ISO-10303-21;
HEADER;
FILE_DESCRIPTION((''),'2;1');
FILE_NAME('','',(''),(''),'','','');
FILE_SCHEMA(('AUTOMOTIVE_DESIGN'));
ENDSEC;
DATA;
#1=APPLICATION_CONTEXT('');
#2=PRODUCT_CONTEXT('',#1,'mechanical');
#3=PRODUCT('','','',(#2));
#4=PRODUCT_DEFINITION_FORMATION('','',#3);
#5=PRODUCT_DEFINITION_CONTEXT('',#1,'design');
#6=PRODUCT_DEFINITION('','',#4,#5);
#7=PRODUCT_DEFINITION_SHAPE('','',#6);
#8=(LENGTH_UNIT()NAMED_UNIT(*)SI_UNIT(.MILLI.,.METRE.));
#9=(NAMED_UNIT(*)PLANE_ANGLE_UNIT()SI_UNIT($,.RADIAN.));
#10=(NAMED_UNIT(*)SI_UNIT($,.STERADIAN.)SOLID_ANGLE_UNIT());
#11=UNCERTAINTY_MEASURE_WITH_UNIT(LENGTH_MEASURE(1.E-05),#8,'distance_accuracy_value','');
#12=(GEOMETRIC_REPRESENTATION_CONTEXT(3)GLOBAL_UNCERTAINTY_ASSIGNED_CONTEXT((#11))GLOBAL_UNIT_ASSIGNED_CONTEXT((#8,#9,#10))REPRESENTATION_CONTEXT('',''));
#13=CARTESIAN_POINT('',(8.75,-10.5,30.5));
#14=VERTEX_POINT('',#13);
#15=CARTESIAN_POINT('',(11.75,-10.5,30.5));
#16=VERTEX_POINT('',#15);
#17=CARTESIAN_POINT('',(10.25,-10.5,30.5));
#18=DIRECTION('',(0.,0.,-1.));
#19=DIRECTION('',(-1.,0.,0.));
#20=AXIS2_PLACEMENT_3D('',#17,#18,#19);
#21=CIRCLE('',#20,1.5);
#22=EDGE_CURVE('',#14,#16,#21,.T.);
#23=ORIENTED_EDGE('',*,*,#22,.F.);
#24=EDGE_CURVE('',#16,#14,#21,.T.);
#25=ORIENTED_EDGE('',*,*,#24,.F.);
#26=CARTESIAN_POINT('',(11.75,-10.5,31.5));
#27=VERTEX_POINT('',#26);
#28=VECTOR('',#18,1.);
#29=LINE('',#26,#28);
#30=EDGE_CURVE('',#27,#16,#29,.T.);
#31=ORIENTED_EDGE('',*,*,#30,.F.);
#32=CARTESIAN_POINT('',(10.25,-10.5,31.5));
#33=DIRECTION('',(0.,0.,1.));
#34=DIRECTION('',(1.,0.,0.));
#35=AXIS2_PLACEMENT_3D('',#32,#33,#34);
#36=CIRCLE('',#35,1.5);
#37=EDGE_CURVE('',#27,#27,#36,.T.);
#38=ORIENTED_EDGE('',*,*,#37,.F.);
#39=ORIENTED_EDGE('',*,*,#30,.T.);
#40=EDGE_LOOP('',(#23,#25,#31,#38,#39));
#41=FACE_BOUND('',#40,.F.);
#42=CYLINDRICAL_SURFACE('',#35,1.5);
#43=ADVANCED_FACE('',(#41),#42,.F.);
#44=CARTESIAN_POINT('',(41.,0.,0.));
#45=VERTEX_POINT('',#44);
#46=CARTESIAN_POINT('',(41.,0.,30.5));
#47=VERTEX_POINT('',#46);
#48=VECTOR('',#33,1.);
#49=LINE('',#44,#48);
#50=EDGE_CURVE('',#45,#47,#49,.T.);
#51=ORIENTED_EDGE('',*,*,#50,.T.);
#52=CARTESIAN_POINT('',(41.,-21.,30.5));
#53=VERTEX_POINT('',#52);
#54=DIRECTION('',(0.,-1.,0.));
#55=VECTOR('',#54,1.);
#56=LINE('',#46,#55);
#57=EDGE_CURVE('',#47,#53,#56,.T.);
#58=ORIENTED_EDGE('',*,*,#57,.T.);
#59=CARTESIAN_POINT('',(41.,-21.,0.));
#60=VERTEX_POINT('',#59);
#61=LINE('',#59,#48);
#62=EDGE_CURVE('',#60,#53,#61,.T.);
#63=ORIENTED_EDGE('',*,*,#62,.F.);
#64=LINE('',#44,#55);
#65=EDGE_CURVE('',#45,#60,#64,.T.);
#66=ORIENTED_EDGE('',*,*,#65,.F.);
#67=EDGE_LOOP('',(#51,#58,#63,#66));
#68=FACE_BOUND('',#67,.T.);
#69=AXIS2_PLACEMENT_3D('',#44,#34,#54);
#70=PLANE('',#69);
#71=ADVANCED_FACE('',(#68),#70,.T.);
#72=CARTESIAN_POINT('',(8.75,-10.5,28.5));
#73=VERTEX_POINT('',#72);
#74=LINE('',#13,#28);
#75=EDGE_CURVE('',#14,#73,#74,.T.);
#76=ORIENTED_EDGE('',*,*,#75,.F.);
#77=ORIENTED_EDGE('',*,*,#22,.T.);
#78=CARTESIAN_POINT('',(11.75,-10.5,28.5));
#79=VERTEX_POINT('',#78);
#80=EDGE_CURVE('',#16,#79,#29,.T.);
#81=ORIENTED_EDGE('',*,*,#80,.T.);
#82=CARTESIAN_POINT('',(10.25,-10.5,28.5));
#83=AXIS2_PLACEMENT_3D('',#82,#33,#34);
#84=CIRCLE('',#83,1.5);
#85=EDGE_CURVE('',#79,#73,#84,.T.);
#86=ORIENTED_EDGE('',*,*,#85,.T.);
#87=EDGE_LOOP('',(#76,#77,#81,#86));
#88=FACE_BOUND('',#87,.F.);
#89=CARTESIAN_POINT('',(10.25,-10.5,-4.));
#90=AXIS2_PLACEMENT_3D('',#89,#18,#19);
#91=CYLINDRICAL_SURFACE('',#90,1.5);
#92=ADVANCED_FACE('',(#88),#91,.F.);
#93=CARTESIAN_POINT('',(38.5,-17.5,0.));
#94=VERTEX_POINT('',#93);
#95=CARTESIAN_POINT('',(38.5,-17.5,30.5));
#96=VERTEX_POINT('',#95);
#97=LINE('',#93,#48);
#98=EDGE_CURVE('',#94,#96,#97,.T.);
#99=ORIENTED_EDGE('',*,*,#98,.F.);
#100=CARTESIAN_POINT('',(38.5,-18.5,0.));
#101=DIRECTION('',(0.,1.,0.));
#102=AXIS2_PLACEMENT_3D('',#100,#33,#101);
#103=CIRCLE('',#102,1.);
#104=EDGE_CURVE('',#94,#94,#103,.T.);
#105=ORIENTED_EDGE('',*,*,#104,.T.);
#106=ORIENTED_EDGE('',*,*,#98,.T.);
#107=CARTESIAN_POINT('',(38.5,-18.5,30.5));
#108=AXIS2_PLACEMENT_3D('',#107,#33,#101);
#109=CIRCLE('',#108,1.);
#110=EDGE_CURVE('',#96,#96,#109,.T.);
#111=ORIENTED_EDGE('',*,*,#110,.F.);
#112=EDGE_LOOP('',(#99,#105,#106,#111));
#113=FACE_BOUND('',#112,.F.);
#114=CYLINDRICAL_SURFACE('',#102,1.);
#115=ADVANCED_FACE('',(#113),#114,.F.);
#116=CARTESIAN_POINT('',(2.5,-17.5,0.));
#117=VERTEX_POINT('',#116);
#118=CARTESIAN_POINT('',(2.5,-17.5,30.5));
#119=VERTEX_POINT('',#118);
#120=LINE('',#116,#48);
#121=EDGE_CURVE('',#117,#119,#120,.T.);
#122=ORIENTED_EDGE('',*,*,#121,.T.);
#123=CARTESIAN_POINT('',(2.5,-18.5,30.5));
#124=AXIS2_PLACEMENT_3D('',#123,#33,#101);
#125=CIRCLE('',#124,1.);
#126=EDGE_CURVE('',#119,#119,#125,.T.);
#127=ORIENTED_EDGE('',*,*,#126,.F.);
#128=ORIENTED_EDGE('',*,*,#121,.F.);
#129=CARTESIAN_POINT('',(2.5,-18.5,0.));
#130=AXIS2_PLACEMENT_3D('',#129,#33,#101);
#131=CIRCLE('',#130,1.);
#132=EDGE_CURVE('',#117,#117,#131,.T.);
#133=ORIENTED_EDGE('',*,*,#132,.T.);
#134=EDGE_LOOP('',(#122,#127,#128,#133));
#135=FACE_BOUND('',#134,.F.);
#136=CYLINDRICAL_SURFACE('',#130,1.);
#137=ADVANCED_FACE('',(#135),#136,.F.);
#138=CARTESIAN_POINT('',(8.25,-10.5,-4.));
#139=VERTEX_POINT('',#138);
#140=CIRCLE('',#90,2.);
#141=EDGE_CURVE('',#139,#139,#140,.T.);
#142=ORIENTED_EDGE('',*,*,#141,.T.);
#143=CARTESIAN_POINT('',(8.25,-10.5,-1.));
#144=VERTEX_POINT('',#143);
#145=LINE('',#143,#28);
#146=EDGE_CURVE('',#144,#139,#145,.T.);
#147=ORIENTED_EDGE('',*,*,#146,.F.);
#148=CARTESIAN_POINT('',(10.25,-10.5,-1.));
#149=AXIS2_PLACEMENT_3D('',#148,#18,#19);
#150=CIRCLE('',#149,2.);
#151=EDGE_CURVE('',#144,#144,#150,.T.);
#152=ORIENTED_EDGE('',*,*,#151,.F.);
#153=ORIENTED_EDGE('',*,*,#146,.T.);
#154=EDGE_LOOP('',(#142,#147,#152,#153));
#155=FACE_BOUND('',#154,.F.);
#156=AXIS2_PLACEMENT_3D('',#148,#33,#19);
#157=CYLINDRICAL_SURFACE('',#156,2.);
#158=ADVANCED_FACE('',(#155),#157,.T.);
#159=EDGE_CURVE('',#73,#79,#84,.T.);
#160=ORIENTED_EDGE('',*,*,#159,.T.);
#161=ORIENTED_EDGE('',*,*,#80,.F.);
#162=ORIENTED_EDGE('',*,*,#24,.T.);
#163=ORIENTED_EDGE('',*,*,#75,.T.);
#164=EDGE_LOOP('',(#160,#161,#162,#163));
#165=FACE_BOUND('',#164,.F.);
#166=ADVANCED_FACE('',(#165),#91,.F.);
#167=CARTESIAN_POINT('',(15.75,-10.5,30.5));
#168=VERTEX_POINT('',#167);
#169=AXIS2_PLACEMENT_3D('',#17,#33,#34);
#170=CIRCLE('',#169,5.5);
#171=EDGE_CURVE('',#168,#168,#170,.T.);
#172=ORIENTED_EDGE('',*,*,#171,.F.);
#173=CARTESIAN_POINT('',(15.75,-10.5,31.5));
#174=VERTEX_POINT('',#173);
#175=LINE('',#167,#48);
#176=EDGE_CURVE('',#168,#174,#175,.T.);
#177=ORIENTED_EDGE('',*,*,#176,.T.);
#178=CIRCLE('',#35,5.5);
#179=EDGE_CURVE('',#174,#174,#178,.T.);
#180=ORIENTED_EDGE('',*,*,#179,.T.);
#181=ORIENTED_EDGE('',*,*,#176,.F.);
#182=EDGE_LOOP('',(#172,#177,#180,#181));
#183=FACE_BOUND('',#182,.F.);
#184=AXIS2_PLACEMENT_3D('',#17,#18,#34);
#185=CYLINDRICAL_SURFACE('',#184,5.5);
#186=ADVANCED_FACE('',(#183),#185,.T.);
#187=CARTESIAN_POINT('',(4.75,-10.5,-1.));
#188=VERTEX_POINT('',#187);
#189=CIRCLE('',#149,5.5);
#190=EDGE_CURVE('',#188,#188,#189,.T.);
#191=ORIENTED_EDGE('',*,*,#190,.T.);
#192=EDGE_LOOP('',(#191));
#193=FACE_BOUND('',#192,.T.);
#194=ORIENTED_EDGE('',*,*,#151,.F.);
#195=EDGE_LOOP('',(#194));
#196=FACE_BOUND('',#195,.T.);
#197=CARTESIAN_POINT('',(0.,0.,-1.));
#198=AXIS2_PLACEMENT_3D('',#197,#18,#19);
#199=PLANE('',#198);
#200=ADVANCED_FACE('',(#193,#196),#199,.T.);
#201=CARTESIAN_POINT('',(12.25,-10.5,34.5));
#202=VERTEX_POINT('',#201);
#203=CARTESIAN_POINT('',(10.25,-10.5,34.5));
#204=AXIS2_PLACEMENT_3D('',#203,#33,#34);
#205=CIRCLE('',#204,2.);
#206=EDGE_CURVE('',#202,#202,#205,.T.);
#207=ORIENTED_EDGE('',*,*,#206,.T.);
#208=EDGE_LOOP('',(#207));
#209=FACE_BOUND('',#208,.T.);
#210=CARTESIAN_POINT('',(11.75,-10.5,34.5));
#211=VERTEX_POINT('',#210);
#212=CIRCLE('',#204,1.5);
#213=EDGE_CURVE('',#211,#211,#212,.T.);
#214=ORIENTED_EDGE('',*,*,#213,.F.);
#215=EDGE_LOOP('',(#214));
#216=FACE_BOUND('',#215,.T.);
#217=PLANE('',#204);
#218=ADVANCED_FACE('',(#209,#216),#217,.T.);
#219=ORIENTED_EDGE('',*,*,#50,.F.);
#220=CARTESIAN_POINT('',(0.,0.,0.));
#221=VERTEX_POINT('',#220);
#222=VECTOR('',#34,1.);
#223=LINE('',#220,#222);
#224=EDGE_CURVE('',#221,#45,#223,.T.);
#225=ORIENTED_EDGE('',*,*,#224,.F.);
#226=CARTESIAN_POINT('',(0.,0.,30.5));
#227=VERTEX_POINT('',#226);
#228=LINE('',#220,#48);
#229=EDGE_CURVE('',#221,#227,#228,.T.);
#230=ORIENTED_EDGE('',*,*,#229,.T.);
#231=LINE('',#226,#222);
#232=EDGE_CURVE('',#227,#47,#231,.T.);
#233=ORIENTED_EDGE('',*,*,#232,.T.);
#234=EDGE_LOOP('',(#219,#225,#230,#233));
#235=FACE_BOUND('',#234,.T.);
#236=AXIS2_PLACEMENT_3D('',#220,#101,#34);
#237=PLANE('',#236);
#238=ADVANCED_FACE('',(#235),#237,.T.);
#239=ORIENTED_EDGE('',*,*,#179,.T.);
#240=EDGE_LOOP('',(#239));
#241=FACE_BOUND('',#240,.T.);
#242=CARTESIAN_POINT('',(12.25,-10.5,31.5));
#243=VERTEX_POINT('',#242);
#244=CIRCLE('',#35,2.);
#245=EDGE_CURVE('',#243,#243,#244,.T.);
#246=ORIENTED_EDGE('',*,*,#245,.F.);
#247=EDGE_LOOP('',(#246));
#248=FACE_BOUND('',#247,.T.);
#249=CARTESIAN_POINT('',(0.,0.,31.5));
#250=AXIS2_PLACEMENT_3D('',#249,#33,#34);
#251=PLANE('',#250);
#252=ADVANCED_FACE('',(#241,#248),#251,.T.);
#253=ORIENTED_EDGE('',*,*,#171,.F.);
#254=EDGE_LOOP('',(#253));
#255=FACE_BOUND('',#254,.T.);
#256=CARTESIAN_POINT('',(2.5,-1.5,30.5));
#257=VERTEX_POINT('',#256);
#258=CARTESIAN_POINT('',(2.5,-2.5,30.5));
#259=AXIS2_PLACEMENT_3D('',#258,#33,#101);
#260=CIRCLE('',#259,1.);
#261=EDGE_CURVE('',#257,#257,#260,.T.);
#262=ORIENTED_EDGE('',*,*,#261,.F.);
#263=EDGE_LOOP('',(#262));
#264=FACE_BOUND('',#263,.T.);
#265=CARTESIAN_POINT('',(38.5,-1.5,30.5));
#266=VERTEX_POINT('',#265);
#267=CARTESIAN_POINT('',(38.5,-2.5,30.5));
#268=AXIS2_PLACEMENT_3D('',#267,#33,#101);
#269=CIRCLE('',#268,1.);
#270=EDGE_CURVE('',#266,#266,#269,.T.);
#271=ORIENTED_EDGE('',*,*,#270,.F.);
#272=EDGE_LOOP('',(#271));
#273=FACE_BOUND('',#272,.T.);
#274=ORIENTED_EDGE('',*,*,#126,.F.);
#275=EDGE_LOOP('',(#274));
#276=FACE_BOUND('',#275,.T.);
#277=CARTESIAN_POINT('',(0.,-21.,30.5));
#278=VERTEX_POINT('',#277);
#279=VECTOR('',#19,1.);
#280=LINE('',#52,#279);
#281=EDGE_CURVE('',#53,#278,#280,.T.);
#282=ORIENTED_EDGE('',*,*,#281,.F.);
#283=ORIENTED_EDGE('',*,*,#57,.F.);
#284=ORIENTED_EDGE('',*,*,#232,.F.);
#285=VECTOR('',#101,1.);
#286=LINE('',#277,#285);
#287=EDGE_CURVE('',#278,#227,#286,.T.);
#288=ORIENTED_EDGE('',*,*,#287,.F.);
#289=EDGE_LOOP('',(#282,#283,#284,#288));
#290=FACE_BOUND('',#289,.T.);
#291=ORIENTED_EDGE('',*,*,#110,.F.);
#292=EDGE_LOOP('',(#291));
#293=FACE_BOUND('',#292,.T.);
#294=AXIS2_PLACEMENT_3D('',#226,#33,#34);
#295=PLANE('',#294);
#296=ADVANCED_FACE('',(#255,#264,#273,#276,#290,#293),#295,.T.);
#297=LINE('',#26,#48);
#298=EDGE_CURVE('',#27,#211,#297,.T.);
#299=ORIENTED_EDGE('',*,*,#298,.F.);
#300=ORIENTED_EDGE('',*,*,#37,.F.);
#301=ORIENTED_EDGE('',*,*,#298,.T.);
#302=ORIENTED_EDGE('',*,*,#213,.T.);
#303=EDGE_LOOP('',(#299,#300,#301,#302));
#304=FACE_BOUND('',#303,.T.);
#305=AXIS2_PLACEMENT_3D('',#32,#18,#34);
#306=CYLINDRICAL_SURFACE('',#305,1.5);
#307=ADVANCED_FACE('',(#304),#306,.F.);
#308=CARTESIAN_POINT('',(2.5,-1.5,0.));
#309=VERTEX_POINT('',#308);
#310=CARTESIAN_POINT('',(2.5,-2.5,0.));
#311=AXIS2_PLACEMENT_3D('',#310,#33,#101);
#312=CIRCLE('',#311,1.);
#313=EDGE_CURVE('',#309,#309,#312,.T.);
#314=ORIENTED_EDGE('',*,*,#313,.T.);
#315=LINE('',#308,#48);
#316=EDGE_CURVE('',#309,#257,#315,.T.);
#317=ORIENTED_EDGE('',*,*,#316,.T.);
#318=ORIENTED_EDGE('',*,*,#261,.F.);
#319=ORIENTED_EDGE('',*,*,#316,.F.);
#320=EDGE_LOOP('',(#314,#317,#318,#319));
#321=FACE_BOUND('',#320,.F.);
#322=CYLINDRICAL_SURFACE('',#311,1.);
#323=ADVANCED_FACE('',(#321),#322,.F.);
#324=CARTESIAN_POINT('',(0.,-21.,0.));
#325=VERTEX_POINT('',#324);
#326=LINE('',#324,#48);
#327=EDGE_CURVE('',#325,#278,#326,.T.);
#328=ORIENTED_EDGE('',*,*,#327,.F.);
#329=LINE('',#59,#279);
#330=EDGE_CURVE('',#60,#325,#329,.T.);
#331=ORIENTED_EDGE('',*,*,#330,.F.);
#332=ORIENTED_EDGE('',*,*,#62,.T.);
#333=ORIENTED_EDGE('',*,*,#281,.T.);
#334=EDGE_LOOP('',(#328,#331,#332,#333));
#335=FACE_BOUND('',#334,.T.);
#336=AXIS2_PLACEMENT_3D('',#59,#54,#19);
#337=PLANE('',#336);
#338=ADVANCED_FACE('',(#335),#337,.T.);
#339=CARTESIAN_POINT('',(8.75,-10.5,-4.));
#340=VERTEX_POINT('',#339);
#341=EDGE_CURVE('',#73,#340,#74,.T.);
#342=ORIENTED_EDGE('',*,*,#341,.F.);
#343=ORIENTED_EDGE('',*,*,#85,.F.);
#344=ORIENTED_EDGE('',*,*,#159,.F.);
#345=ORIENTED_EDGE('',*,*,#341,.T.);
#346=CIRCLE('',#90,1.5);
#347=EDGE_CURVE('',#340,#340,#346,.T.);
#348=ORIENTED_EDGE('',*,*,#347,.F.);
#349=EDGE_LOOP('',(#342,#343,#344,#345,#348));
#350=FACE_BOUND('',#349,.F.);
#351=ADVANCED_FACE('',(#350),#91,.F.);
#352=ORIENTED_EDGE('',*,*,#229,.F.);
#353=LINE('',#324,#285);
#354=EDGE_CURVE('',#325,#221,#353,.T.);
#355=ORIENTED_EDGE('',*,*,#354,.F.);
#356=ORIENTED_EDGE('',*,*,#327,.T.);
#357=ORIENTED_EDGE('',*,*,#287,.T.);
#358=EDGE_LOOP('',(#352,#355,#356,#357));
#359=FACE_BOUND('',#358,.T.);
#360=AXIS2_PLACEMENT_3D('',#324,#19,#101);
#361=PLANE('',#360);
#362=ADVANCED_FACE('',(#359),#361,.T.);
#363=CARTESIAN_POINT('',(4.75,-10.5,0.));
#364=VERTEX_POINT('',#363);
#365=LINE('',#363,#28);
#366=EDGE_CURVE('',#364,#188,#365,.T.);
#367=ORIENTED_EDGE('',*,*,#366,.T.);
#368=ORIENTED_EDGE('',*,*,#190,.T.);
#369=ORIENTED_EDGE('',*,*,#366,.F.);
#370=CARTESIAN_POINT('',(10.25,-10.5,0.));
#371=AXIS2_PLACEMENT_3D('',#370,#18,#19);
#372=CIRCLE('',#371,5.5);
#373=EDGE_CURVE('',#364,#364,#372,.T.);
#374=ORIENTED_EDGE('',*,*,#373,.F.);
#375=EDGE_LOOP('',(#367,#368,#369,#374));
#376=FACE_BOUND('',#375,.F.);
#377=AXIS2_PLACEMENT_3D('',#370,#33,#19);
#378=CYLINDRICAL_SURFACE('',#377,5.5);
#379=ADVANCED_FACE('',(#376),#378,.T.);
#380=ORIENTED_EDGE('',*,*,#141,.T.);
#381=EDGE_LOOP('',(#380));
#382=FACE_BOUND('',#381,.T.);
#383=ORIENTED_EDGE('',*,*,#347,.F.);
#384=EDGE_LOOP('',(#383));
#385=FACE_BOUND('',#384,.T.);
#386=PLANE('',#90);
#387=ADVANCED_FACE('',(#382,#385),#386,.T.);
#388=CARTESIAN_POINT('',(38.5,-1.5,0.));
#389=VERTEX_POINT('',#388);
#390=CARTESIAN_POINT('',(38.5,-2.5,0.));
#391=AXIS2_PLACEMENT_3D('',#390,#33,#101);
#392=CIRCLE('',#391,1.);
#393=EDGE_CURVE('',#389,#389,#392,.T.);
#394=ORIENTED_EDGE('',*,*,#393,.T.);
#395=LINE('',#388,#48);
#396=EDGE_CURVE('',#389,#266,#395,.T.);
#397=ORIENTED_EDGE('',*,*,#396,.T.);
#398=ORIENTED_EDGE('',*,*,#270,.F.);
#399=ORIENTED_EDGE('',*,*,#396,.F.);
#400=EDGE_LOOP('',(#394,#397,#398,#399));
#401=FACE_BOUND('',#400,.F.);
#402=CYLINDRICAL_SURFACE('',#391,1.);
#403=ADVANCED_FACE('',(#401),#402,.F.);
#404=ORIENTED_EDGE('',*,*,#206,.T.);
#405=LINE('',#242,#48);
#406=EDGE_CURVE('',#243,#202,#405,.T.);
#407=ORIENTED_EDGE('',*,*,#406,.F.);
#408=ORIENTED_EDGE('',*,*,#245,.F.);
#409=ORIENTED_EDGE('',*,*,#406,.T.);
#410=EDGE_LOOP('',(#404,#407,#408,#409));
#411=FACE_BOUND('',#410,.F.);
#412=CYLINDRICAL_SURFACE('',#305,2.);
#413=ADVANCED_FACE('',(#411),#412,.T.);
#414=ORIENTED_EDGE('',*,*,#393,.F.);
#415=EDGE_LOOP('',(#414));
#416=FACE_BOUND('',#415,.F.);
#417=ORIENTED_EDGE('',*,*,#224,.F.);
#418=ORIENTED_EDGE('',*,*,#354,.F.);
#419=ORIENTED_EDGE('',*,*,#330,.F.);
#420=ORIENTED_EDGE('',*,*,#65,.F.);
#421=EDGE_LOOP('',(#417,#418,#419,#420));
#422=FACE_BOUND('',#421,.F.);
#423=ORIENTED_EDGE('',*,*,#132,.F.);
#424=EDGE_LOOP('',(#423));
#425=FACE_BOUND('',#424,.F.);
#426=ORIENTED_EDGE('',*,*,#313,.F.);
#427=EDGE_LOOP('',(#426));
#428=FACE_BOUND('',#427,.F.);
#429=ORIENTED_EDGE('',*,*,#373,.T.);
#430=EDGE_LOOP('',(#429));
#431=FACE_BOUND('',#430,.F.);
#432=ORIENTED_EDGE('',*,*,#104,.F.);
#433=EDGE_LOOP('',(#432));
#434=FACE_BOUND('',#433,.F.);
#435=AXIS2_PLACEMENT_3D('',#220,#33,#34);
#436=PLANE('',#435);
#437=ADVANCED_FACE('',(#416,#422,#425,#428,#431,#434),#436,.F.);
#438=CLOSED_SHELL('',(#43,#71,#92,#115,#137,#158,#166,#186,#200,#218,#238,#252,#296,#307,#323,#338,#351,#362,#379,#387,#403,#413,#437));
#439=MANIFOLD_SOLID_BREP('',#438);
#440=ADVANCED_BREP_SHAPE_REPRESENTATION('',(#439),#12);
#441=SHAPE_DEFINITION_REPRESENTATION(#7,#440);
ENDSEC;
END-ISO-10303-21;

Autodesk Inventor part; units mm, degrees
ref_plane "YZ Plane" through (0, 0, 0) normal (1, 0, 0) x (0, 1, 0)
ref_plane "XZ Plane" through (0, 0, 0) normal (0, 1, 0) x (-1, 0, 0)
ref_plane "XY Plane" through (0, 0, 0) normal (0, 0, 1) x (1, 0, 0)
sketch "スケッチ1" plane through (0, 0, 0) normal (0, 0, 1) x (1, 0, 0)
  line L0 (0, 0) -> (41, 0)
  line L1 (41, 0) -> (41, -21)
  line L2 (41, -21) -> (0, -21)
  line L3 (0, -21) -> (0, 0)
  dimension "d0" = 41
  dimension "d1" = 21
extrude "押し出し1" add sketch "スケッチ1" along normal blind 30.5
sketch "スケッチ2" plane through (0, 0, 0) normal (0, 0, -1) x (-1, 0, 0)
  line L0 (0, 0) -> (-41, 0) projected
  line L1 (0, -21) -> (0, 0) projected
  line L2 (-41, 0) -> (-41, -21) projected
  line L3 (0, -21) -> (-41, -21) projected
  point P0 (-2.5, -2.5)
  point P1 (-38.5, -2.5)
  point P2 (-2.5, -18.5)
  point P3 (-38.5, -18.5)
  dimension "d32" = 16
  dimension "d33" = 2.5
  dimension "d34" = 36
  dimension "d35" = 2.5
  dimension "d36" = 2.5
  dimension "d37" = 36
  dimension "d39" = 16
  dimension "d40" = 2.5
hole "穴1" at (2.5, -2.5, 0) at (38.5, -2.5, 0) at (2.5, -18.5, 0) at (38.5, -18.5, 0) direction (0, 0, 1) diameter 2 end through all
sketch "スケッチ3" plane through (0, 0, 0) normal (0, 0, -1) x (-1, 0, 0)
  circle A0 centre (-10.25, -10.5) radius 5.5
  point P0 (0, 0)
  dimension "d11" = 11
extrude "押し出し2" add sketch "スケッチ3" along normal blind 1
sketch "スケッチ4" plane through (10.25, -10.5, -1) normal (0, 0, -1) x (-1, 0, 0)
  circle A0 centre (0, 0) radius 1.5
  point P0 (10.25, 10.5)
  dimension "d14" = 3
extrude "押し出し3" cut sketch "スケッチ4" against normal blind 40
sketch "スケッチ5" plane through (10.25, -10.5, -1) normal (0, 0, -1) x (-1, 0, 0)
  circle A0 centre (0, 0) radius 2
  point P0 (10.25, 10.5)
  dimension "d17" = 4
extrude "押し出し4" add sketch "スケッチ5" along normal blind 3
sketch "スケッチ6" plane through (10.25, -10.5, -4) normal (0, 0, -1) x (-1, 0, 0)
  circle A0 centre (0, 0) radius 1.5
  point P0 (10.25, 10.5)
  dimension "d20" = 3
extrude "押し出し5" cut sketch "スケッチ6" against normal blind 4
sketch "スケッチ8" plane through (0, 0, 30.5) normal (0, 0, 1) x (1, 0, 0)
  circle A0 centre (10.25, -10.5) radius 5.5
  point P0 (0, 0)
  dimension "d23" = 11
extrude "押し出し6" add sketch "スケッチ8" along normal blind 1
sketch "スケッチ9" plane through (10.25, -10.5, 31.5) normal (0, 0, 1) x (1, 0, 0)
  circle A0 centre (0, 0) radius 1.5 projected
  circle A1 centre (0, 0) radius 2
  point P0 (-10.25, 10.5)
  dimension "d26" = 4
extrude "押し出し7" add sketch "スケッチ9" along normal blind 3
sketch "スケッチ10" plane through (10.25, -10.5, 31.5) normal (0, 0, 1) x (1, 0, 0)
  circle A0 centre (0, 0) radius 1.5
  point P0 (-10.25, 10.5)
  dimension "d29" = 3
extrude "押し出し8" cut sketch "スケッチ10" against normal blind 3
properties part number "KRS-2542HV ICS" material "PVC、軟質"
